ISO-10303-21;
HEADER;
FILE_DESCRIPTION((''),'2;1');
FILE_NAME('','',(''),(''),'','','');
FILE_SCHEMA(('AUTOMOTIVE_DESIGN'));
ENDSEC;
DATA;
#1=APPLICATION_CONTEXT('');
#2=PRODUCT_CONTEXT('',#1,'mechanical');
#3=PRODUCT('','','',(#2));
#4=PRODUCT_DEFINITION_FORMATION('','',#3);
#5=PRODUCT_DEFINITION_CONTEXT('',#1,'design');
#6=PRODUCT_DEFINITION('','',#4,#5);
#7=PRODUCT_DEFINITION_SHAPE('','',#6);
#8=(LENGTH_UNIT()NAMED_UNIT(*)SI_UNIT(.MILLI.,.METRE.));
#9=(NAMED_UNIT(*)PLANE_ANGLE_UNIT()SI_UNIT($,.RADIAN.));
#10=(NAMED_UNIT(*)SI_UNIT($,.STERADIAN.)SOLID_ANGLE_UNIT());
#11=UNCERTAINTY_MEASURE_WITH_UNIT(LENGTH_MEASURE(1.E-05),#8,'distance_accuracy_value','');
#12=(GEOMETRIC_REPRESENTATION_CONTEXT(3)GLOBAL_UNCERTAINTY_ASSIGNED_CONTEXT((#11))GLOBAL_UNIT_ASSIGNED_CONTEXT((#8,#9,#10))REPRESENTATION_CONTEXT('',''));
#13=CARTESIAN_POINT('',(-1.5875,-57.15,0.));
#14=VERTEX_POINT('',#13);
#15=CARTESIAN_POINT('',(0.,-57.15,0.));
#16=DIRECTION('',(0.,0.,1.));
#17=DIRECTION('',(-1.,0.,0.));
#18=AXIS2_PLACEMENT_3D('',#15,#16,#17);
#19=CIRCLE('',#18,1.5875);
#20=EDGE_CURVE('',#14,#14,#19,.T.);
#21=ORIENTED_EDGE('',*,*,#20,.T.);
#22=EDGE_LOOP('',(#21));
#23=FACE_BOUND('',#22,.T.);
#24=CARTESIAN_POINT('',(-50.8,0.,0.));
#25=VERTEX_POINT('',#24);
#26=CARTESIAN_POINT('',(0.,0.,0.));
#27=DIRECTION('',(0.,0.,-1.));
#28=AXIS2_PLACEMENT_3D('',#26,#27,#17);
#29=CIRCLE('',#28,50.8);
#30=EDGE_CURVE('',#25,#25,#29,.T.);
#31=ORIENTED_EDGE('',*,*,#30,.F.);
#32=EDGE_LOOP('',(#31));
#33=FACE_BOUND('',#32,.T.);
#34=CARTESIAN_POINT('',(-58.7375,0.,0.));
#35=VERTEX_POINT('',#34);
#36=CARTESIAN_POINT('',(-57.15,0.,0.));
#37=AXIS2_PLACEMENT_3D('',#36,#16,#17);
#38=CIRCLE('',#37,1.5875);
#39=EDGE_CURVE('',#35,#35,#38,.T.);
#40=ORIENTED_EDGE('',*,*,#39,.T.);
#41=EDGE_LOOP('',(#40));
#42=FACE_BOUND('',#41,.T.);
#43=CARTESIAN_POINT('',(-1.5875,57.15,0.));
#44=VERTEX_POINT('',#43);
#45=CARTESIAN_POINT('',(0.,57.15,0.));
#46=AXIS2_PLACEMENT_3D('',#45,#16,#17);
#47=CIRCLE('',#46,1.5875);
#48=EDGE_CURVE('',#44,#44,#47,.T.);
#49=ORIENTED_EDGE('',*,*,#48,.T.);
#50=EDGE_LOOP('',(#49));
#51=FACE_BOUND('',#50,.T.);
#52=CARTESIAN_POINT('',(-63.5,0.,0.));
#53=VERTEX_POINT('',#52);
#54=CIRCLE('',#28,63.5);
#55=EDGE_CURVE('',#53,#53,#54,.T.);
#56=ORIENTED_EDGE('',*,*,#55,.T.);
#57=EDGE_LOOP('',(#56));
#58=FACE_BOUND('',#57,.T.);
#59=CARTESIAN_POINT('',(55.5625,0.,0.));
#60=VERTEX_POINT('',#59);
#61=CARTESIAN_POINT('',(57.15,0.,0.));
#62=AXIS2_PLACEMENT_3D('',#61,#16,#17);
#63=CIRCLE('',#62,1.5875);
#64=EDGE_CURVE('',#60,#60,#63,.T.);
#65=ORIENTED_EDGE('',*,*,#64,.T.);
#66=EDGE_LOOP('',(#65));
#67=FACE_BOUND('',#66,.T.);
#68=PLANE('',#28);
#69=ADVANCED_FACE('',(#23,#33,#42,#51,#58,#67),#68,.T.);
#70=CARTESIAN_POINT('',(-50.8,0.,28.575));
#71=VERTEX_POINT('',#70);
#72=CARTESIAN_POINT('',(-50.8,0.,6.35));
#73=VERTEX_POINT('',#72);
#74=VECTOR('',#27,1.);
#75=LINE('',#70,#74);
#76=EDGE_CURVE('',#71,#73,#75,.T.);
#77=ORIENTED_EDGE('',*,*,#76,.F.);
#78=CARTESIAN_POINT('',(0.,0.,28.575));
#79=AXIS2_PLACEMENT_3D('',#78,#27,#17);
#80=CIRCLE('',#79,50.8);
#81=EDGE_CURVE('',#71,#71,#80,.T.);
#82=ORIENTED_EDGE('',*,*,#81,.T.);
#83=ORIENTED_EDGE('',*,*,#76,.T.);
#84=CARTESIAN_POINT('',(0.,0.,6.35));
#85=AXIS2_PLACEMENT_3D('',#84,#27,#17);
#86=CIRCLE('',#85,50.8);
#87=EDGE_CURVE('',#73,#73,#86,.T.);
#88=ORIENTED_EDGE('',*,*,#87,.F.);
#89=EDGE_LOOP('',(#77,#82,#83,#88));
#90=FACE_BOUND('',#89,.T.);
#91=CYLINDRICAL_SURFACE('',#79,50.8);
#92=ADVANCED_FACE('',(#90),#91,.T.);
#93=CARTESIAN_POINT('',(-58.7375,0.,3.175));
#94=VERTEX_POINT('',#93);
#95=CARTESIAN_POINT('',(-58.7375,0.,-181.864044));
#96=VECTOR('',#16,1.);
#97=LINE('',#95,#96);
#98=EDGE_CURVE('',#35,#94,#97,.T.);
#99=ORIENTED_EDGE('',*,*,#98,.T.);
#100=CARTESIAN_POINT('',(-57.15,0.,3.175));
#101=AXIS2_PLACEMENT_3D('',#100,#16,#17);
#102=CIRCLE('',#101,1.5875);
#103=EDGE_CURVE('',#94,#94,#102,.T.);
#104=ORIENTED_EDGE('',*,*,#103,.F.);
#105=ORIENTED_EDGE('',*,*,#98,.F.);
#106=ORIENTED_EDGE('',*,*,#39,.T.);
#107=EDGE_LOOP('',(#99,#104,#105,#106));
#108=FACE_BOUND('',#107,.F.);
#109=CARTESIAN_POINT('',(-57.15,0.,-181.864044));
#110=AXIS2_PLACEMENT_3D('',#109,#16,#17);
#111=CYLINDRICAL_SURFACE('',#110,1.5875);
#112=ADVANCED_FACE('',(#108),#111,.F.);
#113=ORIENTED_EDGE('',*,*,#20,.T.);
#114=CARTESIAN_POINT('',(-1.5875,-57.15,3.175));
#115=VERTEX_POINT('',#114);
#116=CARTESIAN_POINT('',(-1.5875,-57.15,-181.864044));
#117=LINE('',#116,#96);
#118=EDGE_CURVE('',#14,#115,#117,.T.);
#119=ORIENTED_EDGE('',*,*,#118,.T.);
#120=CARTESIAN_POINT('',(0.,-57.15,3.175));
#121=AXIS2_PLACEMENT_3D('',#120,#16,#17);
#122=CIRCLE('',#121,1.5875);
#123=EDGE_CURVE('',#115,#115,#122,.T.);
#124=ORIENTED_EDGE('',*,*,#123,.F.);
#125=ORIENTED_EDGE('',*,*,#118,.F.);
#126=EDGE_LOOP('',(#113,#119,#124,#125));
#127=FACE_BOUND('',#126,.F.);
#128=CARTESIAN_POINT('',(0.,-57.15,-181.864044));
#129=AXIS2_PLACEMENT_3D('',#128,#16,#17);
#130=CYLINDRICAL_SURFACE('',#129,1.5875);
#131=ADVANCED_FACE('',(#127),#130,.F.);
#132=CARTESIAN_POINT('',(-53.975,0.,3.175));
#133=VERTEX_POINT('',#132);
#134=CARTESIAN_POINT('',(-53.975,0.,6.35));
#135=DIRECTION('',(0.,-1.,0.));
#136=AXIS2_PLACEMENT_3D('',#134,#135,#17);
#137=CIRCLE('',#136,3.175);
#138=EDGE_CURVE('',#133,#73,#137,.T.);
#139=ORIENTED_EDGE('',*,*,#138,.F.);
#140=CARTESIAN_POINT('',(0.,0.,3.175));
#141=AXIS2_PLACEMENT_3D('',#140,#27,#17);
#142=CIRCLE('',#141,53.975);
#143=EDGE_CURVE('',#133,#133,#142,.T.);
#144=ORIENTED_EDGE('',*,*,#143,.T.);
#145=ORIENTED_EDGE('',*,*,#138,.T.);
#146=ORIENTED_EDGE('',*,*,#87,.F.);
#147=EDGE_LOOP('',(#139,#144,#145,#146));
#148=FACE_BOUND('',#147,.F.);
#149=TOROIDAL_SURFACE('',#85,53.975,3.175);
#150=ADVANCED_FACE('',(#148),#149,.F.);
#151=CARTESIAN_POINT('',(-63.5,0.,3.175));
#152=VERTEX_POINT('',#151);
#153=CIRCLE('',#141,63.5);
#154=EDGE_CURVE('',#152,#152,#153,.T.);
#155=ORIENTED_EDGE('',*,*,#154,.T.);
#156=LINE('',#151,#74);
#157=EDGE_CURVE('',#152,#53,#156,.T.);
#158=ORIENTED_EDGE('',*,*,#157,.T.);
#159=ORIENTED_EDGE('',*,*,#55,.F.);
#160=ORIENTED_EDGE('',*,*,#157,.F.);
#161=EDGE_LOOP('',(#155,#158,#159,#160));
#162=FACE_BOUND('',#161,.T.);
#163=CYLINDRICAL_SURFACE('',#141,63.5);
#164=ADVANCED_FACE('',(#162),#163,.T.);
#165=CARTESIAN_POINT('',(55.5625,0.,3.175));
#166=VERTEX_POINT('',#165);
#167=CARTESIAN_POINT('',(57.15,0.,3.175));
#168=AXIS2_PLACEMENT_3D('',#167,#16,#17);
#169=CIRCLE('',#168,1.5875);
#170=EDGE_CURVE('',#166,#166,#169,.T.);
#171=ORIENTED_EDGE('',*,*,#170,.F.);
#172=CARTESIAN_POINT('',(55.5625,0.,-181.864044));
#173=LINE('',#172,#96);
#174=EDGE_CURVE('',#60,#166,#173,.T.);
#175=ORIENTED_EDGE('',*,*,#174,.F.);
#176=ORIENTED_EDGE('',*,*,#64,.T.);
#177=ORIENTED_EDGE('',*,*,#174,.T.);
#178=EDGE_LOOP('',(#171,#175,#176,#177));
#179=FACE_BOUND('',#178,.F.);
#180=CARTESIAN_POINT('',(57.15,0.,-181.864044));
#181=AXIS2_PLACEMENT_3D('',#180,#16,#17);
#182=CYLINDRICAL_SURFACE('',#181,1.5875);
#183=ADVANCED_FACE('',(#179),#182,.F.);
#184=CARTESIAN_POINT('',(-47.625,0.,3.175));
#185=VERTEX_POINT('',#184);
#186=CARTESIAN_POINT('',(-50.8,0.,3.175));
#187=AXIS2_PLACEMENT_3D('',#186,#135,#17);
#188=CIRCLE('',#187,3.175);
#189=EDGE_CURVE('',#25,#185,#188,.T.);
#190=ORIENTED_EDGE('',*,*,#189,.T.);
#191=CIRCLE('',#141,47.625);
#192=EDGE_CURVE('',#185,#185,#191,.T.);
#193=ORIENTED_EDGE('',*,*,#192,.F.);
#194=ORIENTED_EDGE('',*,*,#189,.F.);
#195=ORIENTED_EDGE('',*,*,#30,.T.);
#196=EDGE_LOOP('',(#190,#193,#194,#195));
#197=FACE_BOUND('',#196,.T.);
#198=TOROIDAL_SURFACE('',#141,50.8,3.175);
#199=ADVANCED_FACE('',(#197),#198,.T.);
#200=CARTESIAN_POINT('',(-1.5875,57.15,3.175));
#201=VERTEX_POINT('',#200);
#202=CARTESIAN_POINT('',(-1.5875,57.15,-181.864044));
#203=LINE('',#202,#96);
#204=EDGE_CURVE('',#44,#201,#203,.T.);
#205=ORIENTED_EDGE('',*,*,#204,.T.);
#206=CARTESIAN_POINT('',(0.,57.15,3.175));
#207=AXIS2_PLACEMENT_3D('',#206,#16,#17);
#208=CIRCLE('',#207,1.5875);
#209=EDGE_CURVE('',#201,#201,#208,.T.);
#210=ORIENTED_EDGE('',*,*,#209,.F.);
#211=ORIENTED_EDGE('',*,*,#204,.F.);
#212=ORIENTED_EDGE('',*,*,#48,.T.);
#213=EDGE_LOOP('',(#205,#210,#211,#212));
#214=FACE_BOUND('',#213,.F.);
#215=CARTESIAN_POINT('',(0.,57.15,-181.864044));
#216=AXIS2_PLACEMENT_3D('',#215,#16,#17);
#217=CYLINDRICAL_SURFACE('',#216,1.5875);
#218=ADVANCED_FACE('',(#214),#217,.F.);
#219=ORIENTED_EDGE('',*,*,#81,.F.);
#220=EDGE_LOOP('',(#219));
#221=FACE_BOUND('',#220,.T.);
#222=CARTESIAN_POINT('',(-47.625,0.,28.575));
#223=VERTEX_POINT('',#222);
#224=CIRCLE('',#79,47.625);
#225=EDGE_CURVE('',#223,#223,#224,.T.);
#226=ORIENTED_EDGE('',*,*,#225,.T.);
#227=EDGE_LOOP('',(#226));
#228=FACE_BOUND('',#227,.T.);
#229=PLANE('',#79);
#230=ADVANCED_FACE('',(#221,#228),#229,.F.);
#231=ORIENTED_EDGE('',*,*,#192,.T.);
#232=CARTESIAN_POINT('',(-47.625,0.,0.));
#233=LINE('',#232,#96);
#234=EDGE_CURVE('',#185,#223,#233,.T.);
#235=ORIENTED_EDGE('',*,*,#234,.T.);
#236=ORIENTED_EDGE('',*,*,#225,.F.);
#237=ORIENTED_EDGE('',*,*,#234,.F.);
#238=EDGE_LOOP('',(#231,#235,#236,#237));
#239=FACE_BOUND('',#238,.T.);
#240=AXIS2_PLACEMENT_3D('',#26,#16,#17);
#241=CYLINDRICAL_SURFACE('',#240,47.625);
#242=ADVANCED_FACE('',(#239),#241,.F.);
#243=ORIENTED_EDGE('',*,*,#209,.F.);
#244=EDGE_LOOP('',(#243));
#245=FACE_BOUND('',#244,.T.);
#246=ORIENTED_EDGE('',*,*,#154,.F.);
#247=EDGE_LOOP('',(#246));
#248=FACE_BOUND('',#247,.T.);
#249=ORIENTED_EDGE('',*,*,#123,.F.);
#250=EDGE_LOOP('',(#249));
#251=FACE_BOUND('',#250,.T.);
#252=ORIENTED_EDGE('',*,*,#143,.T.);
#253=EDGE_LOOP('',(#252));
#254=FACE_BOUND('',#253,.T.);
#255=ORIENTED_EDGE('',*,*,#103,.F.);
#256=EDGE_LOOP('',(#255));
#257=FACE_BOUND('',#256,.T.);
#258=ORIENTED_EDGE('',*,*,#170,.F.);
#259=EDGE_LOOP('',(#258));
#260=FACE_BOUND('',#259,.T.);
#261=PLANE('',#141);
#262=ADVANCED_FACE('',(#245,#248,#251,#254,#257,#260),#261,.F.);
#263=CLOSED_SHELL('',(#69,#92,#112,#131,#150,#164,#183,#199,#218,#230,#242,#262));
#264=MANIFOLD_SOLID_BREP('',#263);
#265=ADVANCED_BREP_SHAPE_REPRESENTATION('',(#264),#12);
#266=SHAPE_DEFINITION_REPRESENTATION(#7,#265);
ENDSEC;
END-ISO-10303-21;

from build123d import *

# Parameters (mm, degrees)
F3_D = 3.175
F4_R = 3.175
F5_R = 3.175


with BuildPart() as f1:
    # F0 (on Front) → F1 (revolve)
    with BuildSketch(Plane.XZ):
        Polygon((-63.5, 3.175), (-63.5, 0), (-47.625, 0), (-47.625, 28.575), (-50.8, 28.575), (-50.8, 3.175), align=None)
    revolve(axis=Axis((0, 0, 11.316922), (0, 0, -1)))

    # F3 (through all)
    with Locations(Plane(origin=(0, 0, 0), x_dir=(1, 0, 0), z_dir=(0, 0, -1))):
        with Locations((-57.15, 0), (0, 57.15), (57.15, 0), (0, -57.15)):
            Hole(F3_D / 2)

    # F4
    f4_edges = [f1.edges().sort_by_distance(p)[0] for p in [
        (47.625, 0, 0),
    ]]
    fillet(f4_edges, radius=F4_R)

    # F5
    f5_edges = [f1.edges().sort_by_distance(p)[0] for p in [
        (50.8, 0, 3.175),
    ]]
    fillet(f5_edges, radius=F5_R)


solid = f1.part
